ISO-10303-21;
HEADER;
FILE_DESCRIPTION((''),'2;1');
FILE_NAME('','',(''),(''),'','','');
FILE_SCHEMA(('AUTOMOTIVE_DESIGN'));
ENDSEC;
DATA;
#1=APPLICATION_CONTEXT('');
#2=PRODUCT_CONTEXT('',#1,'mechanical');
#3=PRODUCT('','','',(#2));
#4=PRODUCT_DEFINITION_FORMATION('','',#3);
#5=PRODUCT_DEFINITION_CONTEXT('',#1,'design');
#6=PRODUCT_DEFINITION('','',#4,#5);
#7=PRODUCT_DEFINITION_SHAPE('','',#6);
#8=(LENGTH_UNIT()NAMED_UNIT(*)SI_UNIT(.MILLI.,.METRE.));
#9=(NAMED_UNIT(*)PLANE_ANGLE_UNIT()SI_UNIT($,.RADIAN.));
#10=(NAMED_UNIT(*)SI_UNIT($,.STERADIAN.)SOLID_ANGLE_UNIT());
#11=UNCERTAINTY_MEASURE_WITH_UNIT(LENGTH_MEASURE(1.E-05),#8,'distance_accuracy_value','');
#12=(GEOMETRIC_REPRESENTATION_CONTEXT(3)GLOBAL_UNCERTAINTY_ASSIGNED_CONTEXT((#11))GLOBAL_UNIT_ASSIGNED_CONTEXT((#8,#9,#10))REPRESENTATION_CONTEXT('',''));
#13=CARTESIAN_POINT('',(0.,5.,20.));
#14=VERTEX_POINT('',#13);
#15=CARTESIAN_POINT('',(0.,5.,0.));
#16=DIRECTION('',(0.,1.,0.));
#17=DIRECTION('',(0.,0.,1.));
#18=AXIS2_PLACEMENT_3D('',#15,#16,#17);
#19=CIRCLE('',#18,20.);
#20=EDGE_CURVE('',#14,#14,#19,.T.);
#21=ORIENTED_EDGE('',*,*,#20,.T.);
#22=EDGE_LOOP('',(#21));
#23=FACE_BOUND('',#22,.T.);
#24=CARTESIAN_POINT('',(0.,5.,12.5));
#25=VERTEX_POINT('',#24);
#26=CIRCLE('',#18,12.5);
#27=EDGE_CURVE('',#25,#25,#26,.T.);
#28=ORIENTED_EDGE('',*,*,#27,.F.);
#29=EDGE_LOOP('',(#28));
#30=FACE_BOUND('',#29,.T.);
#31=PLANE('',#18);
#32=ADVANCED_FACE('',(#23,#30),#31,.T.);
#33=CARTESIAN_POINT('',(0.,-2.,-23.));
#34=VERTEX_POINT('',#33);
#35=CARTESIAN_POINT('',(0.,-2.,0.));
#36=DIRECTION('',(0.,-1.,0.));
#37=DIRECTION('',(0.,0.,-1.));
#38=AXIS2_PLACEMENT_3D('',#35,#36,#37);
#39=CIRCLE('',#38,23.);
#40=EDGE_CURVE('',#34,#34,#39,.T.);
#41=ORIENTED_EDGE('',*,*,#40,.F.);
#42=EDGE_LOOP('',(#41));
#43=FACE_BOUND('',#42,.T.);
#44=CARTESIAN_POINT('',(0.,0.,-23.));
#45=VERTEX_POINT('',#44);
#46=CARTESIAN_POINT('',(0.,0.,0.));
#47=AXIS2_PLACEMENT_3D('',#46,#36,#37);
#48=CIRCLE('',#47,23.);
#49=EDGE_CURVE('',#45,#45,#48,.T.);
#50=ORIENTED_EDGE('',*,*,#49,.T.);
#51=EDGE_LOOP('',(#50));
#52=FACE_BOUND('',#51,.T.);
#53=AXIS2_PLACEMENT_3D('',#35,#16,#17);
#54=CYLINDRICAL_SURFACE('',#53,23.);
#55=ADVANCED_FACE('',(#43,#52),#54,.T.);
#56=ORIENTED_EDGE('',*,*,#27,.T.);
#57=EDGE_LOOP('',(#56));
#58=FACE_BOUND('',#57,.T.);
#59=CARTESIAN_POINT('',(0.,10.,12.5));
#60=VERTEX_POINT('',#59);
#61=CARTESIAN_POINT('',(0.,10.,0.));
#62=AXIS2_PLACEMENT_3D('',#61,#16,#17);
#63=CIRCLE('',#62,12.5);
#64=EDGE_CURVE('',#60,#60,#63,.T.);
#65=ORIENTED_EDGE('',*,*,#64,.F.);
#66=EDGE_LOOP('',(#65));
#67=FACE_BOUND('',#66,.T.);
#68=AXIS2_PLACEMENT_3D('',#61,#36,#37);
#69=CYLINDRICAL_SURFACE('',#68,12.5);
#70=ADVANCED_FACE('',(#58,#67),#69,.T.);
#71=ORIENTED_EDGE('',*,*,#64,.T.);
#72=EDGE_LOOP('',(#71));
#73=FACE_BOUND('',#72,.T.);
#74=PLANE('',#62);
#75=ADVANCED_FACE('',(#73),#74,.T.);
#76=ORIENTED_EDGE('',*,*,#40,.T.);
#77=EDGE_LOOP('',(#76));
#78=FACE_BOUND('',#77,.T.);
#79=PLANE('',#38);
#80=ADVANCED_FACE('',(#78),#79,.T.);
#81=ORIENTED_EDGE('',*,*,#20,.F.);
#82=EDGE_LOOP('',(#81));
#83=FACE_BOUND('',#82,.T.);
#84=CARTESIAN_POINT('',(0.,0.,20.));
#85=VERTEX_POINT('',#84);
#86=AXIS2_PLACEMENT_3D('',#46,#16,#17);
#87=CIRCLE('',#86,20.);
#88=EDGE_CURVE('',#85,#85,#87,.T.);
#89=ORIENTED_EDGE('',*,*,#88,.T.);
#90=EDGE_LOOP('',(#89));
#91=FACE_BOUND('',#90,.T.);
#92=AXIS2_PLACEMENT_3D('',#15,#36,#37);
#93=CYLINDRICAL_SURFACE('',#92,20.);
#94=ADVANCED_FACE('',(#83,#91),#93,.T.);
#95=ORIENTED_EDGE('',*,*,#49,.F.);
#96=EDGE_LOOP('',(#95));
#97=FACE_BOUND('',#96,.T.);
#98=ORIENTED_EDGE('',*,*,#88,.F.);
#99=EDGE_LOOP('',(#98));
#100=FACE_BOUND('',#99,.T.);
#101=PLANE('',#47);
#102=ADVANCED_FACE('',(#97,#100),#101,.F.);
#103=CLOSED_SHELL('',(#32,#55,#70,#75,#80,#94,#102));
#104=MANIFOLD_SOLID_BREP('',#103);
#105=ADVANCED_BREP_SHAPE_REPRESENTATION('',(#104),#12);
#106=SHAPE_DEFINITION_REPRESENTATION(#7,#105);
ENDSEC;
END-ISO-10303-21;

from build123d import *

# Parameters (mm, degrees)
SKETCH_1_R      = 20
EXTRUDE_1_DEPTH = 5
SKETCH_3_R      = 23
EXTRUDE_3_DEPTH = 2
SKETCH_4_R      = 12.5
EXTRUDE_4_DEPTH = 5


with BuildPart() as part:
    # 草图1 → 凸台-拉伸1 (new body)
    with BuildSketch(Plane(origin=(0, 0, 0), x_dir=(1, 0, 0), z_dir=(0, 1, 0))):
        with Locations(Location((0, 0, 0), (0, 0, 270))):
            Circle(SKETCH_1_R)
    extrude(amount=EXTRUDE_1_DEPTH)

    # 草图3 → 凸台-拉伸3 (add)
    with BuildSketch(Plane.XZ):
        with Locations(Location((0, 0, 0), (0, 0, 270))):
            Circle(SKETCH_3_R)
    extrude(amount=EXTRUDE_3_DEPTH)

    # 草图4 → 凸台-拉伸4 (add)
    with BuildSketch(Plane(origin=(0, 5, 0), x_dir=(1, 0, 0), z_dir=(0, 1, 0))):
        with Locations(Location((0, 0, 0), (0, 0, 270))):
            Circle(SKETCH_4_R)
    extrude(amount=EXTRUDE_4_DEPTH)


solid = part.part
